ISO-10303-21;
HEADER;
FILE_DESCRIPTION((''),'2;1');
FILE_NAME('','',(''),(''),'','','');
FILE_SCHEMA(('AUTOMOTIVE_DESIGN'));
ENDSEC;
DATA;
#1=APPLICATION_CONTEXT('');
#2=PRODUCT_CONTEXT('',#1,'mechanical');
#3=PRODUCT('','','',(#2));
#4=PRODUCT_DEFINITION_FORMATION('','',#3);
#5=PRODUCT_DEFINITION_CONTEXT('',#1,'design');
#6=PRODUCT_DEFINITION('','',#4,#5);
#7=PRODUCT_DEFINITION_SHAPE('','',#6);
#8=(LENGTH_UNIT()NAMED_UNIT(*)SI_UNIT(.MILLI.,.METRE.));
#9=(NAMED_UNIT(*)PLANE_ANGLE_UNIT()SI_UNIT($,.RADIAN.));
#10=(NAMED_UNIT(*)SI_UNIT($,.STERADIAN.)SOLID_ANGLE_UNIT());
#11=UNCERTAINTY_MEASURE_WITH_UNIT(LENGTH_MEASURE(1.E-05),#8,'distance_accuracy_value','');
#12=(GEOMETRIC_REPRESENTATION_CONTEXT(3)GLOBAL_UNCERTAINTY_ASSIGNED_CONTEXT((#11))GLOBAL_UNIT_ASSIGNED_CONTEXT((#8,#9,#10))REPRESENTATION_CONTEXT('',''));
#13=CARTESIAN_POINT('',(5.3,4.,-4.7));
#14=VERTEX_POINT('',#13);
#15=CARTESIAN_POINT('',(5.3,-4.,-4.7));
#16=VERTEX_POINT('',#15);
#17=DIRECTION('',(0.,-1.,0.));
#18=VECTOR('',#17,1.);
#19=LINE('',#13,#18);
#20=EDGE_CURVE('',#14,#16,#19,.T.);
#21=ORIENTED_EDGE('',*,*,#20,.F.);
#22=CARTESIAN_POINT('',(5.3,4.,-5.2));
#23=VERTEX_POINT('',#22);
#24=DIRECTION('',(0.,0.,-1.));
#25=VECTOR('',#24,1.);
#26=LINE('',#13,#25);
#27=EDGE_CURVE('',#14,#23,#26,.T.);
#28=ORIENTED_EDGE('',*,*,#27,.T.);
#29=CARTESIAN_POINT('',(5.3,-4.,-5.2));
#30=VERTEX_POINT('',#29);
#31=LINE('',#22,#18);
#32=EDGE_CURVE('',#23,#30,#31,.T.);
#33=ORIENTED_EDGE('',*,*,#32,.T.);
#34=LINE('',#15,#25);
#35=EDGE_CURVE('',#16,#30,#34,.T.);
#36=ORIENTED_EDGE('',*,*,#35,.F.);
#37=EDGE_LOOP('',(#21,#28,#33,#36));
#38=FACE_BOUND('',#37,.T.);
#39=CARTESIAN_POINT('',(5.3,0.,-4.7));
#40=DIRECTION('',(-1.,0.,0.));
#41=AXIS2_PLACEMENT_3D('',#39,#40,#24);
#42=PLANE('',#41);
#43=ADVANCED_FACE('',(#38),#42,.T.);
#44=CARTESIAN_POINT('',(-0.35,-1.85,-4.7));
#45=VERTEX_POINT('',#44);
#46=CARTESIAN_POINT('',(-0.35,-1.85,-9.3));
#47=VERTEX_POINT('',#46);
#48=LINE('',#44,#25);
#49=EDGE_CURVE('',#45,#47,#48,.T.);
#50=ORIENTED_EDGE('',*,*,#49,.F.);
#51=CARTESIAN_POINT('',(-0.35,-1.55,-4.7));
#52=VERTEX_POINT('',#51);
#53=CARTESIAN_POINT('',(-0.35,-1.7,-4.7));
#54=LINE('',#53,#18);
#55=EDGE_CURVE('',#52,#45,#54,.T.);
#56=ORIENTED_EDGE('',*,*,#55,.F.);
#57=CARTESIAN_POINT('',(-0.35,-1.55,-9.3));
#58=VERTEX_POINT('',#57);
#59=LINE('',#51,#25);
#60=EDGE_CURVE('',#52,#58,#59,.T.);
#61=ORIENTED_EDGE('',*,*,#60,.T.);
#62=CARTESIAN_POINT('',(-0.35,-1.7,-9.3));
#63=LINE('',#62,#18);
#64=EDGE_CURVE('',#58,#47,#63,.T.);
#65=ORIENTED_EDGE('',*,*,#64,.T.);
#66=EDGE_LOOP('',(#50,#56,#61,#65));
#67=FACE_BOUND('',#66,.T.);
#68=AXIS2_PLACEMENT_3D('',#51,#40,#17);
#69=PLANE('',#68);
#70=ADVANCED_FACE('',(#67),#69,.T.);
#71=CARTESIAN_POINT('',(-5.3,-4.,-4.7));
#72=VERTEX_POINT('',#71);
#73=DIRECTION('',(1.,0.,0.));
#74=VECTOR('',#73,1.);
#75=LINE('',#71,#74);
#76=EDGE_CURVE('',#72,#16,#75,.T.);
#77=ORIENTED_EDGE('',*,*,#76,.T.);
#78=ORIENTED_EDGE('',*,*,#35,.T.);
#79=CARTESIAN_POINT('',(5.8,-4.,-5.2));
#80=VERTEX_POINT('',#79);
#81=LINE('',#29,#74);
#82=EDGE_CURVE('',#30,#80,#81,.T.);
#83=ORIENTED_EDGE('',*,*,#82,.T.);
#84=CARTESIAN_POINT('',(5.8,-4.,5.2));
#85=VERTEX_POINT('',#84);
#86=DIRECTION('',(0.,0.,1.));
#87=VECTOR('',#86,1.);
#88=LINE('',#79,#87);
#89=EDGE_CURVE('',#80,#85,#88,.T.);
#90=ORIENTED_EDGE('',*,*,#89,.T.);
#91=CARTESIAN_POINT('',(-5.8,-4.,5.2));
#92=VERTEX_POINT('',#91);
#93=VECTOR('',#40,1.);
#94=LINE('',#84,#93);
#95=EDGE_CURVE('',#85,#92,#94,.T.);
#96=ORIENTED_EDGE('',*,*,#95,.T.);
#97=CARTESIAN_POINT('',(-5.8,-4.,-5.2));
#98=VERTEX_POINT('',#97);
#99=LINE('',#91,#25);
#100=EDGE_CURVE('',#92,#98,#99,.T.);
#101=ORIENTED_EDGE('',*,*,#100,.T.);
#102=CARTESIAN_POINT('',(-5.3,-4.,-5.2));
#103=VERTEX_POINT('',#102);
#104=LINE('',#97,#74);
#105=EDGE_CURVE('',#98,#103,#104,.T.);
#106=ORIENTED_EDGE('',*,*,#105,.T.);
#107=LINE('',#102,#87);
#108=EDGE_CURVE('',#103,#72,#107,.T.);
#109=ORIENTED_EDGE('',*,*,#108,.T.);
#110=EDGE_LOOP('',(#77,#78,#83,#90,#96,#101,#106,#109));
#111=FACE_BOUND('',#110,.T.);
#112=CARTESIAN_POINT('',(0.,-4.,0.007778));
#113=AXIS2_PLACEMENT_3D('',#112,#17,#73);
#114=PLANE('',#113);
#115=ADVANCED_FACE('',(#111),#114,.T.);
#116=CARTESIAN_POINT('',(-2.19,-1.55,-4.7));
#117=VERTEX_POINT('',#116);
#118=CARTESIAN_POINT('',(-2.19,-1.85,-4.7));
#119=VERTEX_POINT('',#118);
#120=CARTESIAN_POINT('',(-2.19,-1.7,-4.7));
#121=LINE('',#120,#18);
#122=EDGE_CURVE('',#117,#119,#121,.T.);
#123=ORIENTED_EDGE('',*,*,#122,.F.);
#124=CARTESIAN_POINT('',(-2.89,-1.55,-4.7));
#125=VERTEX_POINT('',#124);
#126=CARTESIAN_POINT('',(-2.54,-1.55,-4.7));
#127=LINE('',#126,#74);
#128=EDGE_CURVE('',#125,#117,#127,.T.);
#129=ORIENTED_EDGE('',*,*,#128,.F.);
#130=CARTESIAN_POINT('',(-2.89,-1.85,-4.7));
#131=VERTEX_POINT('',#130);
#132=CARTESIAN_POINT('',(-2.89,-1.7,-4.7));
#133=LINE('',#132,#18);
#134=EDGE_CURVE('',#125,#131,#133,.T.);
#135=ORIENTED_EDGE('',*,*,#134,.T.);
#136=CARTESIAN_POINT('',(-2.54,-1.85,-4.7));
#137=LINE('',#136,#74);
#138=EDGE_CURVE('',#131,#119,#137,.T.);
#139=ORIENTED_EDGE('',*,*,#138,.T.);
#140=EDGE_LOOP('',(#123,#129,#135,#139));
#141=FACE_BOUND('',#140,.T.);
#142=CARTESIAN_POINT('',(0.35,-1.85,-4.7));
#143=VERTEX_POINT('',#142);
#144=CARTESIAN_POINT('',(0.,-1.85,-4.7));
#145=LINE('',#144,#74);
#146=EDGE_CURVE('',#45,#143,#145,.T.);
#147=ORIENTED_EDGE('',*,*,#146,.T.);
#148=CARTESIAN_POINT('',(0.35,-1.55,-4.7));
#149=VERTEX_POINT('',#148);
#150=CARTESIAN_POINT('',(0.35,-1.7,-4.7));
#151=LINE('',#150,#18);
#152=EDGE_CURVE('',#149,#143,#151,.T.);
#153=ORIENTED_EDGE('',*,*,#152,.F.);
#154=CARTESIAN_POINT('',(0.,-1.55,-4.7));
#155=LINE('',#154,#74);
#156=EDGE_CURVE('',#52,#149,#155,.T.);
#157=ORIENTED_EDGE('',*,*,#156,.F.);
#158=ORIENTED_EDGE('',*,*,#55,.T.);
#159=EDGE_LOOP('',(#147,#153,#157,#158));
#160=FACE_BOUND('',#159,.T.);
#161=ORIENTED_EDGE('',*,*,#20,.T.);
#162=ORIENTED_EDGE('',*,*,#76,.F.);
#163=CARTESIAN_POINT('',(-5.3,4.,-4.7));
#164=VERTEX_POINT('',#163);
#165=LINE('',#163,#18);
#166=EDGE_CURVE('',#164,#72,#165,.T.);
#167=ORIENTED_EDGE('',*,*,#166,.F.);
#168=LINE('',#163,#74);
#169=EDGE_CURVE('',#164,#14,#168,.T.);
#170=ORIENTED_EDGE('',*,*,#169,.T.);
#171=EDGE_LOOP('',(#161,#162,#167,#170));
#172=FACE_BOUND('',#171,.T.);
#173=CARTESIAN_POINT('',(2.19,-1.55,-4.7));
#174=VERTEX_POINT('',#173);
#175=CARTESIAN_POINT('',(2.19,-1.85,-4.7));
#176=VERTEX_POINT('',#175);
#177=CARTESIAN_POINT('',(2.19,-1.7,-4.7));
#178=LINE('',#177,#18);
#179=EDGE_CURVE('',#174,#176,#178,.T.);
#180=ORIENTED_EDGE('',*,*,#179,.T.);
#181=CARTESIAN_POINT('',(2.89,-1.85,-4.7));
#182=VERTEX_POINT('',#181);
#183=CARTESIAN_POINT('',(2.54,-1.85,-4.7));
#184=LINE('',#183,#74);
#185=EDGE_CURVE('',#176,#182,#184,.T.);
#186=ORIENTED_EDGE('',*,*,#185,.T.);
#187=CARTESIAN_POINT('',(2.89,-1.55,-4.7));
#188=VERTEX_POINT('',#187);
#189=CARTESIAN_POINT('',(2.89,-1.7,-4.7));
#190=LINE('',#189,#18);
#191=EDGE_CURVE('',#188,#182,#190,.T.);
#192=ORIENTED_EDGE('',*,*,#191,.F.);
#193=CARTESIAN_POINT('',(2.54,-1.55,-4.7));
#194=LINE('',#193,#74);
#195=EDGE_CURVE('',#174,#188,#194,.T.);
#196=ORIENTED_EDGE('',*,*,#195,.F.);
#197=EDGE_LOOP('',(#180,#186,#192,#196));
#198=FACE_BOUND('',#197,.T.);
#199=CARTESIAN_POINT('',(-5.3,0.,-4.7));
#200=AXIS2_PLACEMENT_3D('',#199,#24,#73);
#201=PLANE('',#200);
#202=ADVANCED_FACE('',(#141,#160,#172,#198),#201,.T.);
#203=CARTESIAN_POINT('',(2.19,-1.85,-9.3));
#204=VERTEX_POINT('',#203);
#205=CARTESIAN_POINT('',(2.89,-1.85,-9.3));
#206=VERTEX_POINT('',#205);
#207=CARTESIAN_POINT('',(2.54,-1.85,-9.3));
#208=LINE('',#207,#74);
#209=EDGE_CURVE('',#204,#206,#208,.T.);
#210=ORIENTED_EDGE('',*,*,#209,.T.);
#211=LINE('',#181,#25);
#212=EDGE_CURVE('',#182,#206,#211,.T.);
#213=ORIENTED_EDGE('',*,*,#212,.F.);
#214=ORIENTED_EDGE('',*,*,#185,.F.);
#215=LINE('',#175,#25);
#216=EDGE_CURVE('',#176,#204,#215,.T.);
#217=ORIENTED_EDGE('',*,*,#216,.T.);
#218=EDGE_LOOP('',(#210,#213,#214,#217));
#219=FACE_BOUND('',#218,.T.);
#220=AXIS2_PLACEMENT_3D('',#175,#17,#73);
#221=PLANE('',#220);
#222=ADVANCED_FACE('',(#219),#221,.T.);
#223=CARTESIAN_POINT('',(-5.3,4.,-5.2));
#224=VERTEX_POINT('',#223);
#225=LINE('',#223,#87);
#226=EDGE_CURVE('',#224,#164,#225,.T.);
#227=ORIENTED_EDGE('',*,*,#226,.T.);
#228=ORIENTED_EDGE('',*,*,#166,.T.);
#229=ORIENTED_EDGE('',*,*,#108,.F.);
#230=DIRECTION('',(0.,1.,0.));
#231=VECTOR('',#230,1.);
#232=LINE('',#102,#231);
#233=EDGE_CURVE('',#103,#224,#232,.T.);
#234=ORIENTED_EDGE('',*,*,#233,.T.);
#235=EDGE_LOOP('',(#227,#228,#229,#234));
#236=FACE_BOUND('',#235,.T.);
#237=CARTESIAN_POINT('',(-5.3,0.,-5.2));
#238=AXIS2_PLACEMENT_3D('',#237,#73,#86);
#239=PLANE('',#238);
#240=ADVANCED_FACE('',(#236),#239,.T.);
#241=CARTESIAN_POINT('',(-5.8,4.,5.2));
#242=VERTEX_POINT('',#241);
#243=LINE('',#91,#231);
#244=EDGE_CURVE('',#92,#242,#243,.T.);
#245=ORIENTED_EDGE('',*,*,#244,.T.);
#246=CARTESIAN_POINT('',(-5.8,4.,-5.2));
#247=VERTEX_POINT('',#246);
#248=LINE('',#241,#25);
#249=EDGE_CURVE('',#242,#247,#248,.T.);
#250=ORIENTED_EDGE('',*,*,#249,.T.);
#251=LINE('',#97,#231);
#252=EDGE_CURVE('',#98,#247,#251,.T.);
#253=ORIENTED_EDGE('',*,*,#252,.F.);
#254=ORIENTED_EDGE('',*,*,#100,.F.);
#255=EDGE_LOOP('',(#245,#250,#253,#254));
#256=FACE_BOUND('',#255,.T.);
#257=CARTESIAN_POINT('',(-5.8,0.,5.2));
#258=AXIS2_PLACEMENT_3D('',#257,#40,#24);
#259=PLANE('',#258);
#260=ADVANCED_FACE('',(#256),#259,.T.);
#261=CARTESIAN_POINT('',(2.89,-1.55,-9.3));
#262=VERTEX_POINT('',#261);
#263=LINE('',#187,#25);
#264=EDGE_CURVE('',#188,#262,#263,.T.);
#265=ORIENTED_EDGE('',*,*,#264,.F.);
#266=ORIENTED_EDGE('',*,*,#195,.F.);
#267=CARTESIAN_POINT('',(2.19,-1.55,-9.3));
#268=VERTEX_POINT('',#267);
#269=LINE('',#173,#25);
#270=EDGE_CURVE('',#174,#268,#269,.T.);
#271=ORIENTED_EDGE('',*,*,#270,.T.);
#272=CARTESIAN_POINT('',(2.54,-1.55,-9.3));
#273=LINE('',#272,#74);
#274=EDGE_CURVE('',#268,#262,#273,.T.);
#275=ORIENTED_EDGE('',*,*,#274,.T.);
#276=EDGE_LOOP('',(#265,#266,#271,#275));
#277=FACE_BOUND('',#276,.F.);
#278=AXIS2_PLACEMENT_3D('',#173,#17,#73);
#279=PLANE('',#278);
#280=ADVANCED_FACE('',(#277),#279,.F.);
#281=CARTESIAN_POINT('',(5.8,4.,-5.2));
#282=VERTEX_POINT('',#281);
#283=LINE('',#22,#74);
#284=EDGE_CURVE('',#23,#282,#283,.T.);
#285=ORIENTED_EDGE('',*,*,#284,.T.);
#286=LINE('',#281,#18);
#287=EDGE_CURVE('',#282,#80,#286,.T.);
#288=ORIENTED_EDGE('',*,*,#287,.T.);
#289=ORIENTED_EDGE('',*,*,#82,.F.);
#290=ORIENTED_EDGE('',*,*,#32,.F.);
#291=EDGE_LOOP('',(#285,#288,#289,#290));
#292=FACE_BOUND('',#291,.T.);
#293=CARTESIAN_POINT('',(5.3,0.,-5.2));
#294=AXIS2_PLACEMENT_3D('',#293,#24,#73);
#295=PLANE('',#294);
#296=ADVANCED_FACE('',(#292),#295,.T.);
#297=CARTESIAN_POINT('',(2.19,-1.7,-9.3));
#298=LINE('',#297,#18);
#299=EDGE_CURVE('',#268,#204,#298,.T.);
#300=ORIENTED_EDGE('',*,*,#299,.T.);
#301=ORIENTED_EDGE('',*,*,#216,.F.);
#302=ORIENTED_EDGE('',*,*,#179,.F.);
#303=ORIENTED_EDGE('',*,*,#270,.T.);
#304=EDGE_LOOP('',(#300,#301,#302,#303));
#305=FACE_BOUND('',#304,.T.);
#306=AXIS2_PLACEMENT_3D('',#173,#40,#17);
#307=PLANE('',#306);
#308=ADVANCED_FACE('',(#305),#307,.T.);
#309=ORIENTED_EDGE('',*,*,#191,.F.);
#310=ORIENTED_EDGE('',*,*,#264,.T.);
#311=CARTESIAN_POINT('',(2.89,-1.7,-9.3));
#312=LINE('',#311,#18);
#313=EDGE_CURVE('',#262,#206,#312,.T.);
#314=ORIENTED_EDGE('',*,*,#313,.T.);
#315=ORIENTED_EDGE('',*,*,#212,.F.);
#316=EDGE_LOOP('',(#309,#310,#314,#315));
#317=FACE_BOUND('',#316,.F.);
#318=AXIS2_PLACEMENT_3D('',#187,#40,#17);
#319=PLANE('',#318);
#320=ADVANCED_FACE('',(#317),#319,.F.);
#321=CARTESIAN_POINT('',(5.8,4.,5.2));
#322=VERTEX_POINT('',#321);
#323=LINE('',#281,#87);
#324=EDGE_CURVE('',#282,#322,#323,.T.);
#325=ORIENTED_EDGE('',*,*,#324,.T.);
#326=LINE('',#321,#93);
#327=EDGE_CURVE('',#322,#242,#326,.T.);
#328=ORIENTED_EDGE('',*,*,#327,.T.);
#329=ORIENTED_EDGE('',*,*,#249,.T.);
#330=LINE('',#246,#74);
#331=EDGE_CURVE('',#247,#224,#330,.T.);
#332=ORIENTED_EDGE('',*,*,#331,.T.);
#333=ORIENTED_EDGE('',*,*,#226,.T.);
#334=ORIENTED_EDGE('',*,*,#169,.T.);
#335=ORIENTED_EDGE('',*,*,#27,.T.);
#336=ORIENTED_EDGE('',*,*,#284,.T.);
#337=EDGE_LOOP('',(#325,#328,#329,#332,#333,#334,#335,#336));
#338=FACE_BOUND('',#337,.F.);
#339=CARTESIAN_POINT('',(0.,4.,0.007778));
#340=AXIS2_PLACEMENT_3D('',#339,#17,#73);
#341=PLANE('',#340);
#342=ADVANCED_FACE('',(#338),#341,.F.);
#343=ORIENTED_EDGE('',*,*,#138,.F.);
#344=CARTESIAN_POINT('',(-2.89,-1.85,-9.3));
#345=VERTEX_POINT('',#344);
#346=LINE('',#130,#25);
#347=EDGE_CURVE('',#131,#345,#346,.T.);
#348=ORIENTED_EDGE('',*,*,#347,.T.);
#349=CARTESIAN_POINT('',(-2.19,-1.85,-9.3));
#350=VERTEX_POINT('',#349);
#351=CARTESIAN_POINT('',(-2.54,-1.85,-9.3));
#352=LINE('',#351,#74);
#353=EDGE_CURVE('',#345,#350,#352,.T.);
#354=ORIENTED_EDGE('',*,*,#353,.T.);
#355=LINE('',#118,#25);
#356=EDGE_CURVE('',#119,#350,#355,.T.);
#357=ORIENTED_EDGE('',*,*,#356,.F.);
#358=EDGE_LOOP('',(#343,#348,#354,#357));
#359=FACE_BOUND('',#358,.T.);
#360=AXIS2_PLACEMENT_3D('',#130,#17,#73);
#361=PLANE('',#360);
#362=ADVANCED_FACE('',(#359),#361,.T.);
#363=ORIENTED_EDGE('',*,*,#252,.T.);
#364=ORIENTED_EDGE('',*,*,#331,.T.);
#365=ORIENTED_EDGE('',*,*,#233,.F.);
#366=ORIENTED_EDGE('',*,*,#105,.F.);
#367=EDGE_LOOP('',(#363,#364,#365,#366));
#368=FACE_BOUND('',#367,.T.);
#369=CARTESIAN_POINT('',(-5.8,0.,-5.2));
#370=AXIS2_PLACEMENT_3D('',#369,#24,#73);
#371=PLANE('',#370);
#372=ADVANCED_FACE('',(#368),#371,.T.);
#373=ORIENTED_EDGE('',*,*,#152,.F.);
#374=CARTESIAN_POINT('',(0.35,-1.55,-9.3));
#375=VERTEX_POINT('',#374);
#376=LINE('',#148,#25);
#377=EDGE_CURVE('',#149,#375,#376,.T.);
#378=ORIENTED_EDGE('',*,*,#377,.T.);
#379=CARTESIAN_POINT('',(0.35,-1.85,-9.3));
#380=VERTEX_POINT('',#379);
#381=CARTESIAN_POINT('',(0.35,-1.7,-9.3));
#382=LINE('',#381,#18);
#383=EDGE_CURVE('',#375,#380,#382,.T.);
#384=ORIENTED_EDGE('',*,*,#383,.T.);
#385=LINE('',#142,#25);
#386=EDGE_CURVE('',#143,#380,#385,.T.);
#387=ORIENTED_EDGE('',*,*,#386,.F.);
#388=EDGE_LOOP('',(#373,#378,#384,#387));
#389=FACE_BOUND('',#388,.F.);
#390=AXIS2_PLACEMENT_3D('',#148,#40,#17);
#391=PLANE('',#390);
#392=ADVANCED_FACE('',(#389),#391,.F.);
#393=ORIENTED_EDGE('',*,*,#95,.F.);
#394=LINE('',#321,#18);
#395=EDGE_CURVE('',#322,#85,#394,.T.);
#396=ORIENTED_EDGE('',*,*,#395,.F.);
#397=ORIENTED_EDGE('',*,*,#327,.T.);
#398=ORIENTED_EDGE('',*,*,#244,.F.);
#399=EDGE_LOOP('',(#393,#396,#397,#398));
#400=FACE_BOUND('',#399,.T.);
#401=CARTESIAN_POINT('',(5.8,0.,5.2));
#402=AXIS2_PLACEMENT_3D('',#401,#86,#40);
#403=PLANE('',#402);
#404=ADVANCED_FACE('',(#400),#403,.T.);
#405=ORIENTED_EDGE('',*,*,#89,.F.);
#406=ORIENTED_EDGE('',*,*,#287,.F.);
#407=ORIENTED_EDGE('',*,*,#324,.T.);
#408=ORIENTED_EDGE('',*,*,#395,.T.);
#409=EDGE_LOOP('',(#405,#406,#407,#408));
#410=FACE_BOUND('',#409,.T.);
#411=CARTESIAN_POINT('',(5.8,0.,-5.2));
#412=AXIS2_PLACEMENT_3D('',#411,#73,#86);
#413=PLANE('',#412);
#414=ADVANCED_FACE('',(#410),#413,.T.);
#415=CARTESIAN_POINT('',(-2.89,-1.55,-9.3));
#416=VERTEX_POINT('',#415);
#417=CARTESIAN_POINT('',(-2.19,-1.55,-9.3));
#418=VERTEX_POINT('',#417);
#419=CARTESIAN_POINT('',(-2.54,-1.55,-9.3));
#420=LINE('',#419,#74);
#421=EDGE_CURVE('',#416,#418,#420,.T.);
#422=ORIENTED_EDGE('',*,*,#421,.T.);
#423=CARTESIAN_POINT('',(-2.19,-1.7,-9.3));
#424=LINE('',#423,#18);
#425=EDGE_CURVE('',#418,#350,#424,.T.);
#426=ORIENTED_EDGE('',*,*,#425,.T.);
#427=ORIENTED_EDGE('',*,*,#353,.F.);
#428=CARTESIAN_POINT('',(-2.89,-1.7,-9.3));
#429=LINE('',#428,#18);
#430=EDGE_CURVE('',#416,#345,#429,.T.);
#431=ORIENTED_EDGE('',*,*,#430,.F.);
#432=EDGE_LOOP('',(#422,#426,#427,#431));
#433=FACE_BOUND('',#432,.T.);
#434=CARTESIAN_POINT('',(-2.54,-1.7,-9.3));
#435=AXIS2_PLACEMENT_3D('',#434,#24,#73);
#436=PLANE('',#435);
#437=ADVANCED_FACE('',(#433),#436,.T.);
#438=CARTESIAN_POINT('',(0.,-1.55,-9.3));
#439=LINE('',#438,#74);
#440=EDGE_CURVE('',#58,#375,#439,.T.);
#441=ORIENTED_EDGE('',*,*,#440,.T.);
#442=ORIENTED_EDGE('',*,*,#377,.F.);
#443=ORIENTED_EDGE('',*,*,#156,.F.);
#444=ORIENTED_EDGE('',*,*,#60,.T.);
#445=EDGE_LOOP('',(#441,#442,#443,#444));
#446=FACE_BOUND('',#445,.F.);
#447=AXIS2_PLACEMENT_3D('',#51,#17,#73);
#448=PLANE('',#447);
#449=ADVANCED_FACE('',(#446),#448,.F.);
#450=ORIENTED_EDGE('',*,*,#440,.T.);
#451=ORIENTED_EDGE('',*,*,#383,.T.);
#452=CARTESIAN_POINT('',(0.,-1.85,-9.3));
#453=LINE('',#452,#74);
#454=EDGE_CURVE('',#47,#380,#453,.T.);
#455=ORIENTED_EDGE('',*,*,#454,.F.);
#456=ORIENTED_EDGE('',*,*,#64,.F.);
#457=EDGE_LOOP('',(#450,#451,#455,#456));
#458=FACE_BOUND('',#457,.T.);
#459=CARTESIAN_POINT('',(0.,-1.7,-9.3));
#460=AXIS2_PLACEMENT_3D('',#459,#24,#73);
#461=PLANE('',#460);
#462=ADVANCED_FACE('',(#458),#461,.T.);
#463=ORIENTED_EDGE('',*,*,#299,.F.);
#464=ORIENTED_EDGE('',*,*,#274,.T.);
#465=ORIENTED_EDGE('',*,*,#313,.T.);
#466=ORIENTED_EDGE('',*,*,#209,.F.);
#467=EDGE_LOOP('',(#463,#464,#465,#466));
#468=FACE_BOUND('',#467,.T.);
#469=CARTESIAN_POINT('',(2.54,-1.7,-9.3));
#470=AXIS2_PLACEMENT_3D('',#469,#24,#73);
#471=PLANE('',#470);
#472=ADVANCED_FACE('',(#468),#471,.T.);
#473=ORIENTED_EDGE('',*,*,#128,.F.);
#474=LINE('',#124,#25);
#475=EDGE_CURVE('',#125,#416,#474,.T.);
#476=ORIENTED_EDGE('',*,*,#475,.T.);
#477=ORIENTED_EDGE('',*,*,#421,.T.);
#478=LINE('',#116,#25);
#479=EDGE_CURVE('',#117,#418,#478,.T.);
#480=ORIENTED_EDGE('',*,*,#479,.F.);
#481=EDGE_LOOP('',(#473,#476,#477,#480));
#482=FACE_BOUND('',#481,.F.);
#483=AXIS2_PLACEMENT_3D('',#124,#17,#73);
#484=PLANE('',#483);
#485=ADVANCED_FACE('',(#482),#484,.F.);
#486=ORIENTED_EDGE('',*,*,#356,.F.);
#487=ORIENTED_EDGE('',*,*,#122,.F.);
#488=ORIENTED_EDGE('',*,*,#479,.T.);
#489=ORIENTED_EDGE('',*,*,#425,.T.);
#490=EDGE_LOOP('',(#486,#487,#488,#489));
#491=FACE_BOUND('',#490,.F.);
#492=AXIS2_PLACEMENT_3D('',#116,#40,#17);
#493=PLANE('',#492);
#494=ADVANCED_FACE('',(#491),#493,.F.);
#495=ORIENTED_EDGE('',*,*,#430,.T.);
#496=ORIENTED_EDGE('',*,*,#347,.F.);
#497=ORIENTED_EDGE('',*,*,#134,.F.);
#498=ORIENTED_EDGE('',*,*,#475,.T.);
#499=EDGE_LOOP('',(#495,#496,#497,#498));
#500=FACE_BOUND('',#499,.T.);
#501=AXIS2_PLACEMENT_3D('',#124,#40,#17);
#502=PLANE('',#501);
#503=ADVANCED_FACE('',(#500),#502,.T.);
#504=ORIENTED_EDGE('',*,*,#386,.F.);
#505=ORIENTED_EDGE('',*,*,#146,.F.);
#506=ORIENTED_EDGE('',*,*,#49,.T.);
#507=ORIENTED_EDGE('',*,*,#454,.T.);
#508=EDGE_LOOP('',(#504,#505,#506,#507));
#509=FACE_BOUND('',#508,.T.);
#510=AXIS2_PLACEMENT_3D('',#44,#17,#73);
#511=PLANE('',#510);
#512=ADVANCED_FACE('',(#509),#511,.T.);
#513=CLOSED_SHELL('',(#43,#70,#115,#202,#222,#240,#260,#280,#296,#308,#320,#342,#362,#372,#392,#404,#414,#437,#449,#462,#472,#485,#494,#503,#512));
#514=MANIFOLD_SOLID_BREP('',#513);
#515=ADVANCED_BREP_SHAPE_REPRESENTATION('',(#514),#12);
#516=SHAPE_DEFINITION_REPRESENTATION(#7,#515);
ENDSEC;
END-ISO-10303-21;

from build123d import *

# Parameters (mm, degrees)
PAD_DEPTH    = 4
SKETCH001_W  = 0.7
SKETCH001_H  = 0.3
PAD001_DEPTH = 4.6


with BuildPart() as part:
    # Sketch → Pad (new body, symmetric)
    with BuildSketch(Plane.XZ):
        Polygon((-5.3, -5.2), (-5.3, -4.7), (5.3, -4.7), (5.3, -5.2), (5.8, -5.2), (5.8, 5.2), (-5.8, 5.2), (-5.8, -5.2), align=None)
    extrude(amount=PAD_DEPTH, both=True)

    # Sketch001 (on Face2 of Pad) → Pad001 (join)
    with BuildSketch(Plane(origin=(0, 0, -4.7), x_dir=(1, 0, 0), z_dir=(0, 0, -1))):
        with Locations((-2.54, 1.7)):
            Rectangle(SKETCH001_W, SKETCH001_H)
        with Locations((0, 1.7)):
            Rectangle(SKETCH001_W, SKETCH001_H)
        with Locations((2.54, 1.7)):
            Rectangle(SKETCH001_W, SKETCH001_H)
    extrude(amount=PAD001_DEPTH)


solid = part.part
